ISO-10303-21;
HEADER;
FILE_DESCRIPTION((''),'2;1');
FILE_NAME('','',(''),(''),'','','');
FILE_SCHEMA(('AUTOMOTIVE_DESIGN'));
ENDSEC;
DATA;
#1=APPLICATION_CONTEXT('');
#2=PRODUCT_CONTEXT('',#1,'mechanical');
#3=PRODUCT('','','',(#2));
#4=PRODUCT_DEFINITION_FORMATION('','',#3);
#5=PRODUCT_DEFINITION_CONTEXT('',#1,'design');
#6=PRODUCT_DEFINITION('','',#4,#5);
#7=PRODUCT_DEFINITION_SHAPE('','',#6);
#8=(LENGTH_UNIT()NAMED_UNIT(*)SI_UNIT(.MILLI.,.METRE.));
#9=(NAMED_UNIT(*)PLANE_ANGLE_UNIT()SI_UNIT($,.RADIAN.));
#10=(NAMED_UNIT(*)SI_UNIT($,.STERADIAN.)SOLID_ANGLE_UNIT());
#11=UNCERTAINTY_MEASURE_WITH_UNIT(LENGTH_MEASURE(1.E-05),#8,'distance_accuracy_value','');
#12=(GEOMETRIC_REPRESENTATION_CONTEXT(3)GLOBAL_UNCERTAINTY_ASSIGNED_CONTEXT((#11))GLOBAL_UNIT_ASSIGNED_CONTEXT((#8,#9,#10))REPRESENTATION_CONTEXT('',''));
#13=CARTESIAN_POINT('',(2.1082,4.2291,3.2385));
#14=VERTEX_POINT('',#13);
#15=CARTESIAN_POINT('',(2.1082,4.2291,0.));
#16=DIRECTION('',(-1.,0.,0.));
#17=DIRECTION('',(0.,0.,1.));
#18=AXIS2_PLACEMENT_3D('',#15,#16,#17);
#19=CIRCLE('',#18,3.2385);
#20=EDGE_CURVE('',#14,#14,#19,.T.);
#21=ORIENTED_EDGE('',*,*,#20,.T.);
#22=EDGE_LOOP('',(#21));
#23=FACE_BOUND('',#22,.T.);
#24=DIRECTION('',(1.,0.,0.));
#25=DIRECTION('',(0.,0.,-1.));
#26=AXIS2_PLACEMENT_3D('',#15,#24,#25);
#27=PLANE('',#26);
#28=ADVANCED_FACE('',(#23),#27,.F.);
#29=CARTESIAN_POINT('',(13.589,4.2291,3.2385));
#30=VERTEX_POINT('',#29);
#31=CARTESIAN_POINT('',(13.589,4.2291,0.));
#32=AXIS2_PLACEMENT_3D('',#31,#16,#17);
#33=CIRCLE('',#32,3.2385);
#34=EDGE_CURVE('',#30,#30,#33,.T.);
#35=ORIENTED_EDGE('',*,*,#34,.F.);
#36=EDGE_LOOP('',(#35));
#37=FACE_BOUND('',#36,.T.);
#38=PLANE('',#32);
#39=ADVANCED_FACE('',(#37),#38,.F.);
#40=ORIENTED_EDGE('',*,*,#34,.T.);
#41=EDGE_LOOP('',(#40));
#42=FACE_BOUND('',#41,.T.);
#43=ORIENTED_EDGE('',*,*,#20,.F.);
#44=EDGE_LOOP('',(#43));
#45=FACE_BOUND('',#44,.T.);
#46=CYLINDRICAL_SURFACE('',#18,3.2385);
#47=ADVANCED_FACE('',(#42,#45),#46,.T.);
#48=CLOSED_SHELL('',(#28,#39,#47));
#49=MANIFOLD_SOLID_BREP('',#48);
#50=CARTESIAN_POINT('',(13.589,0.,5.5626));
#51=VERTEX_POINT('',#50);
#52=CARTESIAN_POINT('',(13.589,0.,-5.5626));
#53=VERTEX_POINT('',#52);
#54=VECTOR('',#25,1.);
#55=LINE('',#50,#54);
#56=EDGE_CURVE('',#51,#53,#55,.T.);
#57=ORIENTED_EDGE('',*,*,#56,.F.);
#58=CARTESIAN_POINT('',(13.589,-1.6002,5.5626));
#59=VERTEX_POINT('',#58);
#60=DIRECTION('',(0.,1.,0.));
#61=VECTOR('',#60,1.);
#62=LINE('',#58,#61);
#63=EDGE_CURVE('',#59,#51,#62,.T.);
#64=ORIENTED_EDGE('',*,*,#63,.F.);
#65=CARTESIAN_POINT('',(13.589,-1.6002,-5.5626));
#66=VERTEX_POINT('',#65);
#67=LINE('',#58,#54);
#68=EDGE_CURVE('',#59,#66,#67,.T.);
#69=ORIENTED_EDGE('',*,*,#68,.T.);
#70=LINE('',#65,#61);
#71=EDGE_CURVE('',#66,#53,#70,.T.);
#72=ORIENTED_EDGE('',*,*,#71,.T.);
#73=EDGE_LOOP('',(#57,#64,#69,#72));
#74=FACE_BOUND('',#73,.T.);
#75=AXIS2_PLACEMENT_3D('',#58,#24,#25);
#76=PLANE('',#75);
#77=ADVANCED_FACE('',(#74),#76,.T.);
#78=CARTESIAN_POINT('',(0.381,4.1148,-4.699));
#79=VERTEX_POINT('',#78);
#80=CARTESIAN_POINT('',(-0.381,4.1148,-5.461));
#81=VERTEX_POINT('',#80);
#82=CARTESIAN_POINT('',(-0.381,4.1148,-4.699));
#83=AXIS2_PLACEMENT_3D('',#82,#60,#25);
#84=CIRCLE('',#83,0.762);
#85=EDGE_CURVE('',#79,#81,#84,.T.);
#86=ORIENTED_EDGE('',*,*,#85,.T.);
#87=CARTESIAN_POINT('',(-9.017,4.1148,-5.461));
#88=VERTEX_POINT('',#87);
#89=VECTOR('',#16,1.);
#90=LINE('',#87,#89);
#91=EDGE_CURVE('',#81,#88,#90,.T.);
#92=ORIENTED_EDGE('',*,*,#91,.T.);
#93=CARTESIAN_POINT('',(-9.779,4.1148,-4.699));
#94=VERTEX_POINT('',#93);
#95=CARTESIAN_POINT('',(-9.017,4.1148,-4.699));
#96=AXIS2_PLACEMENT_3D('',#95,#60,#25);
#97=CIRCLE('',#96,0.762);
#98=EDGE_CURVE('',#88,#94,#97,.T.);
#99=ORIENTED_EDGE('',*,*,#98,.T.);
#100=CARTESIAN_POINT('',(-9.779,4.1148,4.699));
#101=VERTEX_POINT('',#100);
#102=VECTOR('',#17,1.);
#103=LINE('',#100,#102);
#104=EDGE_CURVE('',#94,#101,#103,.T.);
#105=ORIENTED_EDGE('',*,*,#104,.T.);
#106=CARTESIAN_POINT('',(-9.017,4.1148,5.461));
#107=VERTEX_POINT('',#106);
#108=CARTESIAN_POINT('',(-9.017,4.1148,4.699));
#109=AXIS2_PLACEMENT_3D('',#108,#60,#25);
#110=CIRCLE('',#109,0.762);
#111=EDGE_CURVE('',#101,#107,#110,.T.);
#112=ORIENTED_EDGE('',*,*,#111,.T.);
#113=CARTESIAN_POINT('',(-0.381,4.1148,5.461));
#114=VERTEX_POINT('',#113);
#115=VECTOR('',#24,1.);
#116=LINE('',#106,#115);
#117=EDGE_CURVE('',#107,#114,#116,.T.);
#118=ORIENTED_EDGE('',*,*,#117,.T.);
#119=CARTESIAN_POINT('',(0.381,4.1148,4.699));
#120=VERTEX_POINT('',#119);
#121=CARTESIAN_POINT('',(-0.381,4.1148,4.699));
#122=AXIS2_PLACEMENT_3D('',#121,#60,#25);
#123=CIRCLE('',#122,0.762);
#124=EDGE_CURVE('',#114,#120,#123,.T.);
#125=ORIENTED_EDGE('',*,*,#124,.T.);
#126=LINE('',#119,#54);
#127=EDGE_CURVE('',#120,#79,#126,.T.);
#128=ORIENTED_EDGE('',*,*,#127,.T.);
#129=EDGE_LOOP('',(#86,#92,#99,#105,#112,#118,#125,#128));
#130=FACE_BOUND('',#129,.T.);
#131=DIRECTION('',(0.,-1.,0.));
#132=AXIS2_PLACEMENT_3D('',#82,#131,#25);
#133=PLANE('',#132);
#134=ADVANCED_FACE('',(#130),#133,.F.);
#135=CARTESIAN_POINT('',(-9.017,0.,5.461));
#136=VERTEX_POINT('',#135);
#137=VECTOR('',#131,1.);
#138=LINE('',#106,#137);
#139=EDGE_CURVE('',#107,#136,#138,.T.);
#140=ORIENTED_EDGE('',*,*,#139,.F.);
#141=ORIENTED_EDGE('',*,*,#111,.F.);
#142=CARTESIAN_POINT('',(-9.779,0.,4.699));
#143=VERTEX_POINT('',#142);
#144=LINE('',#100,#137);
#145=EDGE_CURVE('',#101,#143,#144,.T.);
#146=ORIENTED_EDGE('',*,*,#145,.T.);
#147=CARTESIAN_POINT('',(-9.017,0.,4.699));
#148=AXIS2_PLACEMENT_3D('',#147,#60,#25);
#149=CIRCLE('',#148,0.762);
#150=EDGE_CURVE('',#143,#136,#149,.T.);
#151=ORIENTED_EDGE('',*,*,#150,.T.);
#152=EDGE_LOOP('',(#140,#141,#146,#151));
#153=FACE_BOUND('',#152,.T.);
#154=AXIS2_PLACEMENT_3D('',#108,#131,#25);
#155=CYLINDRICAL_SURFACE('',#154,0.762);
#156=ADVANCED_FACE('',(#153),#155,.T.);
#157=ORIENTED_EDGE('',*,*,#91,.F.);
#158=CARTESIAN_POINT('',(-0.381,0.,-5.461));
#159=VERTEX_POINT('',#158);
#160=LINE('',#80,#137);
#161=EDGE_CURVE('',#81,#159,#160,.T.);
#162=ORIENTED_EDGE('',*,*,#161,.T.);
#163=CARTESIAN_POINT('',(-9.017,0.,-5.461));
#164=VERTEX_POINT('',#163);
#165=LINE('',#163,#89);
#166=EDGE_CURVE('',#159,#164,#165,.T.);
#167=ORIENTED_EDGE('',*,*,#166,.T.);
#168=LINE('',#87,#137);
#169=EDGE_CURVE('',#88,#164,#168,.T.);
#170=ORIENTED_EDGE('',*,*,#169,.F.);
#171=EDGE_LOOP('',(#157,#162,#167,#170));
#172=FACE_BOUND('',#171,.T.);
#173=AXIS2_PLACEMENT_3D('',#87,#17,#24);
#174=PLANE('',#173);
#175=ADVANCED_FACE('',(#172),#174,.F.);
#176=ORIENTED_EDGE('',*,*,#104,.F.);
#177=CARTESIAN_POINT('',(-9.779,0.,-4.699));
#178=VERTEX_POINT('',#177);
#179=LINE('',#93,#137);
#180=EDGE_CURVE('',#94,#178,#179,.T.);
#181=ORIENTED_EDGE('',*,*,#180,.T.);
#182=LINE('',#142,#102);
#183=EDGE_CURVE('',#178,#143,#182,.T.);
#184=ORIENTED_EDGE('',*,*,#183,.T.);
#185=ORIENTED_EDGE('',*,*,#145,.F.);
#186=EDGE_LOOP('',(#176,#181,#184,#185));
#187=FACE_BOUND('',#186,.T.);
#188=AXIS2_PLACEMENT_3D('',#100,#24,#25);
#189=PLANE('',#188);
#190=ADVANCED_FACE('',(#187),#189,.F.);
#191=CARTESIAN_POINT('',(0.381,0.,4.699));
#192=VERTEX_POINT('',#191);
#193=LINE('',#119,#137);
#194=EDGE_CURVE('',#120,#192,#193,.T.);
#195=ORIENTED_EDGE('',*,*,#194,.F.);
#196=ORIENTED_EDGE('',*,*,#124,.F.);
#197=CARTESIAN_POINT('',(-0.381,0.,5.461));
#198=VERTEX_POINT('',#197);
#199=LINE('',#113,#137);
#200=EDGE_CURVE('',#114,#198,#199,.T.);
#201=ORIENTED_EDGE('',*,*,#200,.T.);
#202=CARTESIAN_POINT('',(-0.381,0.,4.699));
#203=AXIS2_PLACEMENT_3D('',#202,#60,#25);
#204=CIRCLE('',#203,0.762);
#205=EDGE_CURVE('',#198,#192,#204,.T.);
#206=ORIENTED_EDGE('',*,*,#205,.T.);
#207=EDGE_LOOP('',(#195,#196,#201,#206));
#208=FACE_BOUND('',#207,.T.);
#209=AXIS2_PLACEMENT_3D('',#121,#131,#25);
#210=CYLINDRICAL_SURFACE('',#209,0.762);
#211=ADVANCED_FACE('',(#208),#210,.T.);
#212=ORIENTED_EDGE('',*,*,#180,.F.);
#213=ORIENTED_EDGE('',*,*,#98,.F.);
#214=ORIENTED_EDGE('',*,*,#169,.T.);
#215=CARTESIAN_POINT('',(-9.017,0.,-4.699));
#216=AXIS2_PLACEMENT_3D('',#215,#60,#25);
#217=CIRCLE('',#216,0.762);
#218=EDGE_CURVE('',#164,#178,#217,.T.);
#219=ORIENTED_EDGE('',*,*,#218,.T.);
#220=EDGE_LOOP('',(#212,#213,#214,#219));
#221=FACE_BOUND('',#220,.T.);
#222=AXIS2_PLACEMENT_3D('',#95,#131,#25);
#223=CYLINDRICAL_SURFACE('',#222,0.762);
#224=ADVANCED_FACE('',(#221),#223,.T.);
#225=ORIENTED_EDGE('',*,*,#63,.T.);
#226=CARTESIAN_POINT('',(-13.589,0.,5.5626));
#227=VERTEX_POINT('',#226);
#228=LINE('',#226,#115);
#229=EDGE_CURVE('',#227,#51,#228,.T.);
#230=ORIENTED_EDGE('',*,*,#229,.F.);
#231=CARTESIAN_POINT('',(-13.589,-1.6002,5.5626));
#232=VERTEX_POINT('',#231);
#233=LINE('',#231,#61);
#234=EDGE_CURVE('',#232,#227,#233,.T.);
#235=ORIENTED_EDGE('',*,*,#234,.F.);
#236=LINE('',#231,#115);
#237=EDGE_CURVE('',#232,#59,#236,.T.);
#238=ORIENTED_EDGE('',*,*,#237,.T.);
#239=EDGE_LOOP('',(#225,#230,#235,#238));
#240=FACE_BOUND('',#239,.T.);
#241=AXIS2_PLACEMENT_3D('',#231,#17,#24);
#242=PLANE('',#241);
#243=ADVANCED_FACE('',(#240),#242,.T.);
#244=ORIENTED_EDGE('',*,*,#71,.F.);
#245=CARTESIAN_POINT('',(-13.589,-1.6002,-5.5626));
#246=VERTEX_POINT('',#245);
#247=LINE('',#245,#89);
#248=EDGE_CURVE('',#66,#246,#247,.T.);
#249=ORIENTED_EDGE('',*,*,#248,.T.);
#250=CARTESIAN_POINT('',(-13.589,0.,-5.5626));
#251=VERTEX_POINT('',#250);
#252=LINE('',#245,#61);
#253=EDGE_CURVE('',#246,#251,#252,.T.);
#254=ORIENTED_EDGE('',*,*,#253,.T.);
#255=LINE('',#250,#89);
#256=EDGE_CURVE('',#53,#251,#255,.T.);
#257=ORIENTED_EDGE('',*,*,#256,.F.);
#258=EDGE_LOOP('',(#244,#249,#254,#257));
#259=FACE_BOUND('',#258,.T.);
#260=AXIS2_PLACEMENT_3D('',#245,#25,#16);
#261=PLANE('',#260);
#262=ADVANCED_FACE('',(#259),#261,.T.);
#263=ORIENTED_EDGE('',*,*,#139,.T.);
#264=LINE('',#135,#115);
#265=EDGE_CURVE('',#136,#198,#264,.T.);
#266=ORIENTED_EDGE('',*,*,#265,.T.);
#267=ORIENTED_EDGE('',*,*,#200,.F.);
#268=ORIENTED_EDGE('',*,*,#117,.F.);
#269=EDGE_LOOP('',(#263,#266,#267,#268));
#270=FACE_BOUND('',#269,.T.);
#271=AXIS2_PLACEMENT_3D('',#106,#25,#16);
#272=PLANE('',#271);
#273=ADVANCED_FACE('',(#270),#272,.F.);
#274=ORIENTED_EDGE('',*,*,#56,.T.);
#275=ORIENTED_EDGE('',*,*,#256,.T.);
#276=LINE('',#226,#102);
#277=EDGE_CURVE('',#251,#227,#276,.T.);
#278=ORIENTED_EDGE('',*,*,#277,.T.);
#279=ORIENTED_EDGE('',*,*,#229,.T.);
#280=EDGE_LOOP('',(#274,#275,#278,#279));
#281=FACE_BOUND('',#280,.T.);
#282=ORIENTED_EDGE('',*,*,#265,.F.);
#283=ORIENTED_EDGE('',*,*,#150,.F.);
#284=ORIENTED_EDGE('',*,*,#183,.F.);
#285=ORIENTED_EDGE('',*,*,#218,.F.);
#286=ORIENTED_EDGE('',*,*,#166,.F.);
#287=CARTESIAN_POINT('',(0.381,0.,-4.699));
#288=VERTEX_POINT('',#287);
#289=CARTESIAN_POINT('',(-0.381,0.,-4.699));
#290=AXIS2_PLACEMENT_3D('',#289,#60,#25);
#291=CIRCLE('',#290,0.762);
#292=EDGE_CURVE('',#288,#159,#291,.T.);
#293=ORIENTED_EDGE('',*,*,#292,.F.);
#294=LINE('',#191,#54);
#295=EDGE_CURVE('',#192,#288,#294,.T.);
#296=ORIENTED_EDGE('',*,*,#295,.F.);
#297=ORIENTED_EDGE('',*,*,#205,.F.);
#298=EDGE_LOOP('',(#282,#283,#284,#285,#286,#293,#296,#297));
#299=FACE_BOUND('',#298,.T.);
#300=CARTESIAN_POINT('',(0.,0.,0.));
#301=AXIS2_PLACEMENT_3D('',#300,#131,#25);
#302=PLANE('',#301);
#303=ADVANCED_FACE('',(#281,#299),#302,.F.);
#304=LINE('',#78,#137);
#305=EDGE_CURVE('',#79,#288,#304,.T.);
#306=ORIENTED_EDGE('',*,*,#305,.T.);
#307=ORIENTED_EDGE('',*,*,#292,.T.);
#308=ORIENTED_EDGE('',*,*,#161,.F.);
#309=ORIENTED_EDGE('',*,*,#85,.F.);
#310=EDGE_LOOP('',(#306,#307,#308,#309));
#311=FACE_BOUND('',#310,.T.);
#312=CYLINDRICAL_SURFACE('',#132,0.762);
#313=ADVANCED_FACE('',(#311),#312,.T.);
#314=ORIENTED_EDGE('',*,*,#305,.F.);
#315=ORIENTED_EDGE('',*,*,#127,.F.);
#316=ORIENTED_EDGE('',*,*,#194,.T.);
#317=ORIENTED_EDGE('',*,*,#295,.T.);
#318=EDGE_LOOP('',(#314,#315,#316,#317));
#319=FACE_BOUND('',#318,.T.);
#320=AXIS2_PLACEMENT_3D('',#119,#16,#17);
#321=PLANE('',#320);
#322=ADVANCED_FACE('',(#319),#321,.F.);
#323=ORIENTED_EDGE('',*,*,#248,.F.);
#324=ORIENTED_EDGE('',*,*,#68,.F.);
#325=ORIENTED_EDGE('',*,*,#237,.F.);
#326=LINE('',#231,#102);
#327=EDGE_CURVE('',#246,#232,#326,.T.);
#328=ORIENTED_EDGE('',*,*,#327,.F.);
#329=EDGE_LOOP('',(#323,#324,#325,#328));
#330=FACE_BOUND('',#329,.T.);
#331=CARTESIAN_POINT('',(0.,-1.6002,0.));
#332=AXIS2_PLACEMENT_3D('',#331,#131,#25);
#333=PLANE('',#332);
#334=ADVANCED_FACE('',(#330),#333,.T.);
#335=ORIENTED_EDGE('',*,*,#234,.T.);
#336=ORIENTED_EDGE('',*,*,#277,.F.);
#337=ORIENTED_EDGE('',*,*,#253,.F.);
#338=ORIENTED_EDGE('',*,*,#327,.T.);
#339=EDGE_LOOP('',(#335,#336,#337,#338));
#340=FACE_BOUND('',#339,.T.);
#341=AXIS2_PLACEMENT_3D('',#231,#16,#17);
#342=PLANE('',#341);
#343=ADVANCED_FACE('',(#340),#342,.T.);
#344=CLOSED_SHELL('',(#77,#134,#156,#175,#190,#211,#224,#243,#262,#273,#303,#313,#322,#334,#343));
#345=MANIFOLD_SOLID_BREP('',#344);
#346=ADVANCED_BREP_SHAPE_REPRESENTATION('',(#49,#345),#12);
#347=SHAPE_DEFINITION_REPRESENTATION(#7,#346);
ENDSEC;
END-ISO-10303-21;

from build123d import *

# Parameters (mm, degrees)
SKETCH1_W           = 27.178
SKETCH1_H           = 11.1252
BOSS_EXTRUDE1_DEPTH = 1.6002
BOSS_EXTRUDE2_DEPTH = 4.1148
SKETCH3_W           = 11.4808
SKETCH3_H           = 3.2385


with BuildPart() as part:
    # Sketch1 → Boss-Extrude1 (new body)
    with BuildSketch(Plane(origin=(0, 0, 0), x_dir=(1, 0, 0), z_dir=(0, 1, 0))):
        Rectangle(SKETCH1_W, SKETCH1_H)
    extrude(amount=-BOSS_EXTRUDE1_DEPTH)

    # Sketch2 → Boss-Extrude2 (add)
    with BuildSketch(Plane(origin=(0, 0, 0), x_dir=(1, 0, 0), z_dir=(0, 1, 0))):
        with BuildLine():
            Line((-9.017, -5.461), (-0.381, -5.461))
            ThreePointArc((-0.381, -5.461), (0.157815367, -5.237815367), (0.381, -4.699))
            Line((0.381, -4.699), (0.381, 4.699))
            ThreePointArc((0.381, 4.699), (0.157815367, 5.237815367), (-0.381, 5.461))
            Line((-0.381, 5.461), (-9.017, 5.461))
            ThreePointArc((-9.017, 5.461), (-9.555815367, 5.237815367), (-9.779, 4.699))
            Line((-9.779, 4.699), (-9.779, -4.699))
            ThreePointArc((-9.779, -4.699), (-9.555815367, -5.237815367), (-9.017, -5.461))
        make_face()
    extrude(amount=BOSS_EXTRUDE2_DEPTH)


with BuildPart() as body_2:
    # Sketch3 → Revolve1 (revolve)
    with BuildSketch(Plane.XY, mode=Mode.PRIVATE) as revolve1_sk:
        with Locations((7.8486, 5.84835)):
            Rectangle(SKETCH3_W, SKETCH3_H)
    revolve(revolve1_sk.sketch.rotate(Axis((2.1082, 4.2291, 0), (1, 0, 0)), 90), axis=Axis((2.1082, 4.2291, 0), (1, 0, 0)))


solid = Compound([part.part, body_2.part])
